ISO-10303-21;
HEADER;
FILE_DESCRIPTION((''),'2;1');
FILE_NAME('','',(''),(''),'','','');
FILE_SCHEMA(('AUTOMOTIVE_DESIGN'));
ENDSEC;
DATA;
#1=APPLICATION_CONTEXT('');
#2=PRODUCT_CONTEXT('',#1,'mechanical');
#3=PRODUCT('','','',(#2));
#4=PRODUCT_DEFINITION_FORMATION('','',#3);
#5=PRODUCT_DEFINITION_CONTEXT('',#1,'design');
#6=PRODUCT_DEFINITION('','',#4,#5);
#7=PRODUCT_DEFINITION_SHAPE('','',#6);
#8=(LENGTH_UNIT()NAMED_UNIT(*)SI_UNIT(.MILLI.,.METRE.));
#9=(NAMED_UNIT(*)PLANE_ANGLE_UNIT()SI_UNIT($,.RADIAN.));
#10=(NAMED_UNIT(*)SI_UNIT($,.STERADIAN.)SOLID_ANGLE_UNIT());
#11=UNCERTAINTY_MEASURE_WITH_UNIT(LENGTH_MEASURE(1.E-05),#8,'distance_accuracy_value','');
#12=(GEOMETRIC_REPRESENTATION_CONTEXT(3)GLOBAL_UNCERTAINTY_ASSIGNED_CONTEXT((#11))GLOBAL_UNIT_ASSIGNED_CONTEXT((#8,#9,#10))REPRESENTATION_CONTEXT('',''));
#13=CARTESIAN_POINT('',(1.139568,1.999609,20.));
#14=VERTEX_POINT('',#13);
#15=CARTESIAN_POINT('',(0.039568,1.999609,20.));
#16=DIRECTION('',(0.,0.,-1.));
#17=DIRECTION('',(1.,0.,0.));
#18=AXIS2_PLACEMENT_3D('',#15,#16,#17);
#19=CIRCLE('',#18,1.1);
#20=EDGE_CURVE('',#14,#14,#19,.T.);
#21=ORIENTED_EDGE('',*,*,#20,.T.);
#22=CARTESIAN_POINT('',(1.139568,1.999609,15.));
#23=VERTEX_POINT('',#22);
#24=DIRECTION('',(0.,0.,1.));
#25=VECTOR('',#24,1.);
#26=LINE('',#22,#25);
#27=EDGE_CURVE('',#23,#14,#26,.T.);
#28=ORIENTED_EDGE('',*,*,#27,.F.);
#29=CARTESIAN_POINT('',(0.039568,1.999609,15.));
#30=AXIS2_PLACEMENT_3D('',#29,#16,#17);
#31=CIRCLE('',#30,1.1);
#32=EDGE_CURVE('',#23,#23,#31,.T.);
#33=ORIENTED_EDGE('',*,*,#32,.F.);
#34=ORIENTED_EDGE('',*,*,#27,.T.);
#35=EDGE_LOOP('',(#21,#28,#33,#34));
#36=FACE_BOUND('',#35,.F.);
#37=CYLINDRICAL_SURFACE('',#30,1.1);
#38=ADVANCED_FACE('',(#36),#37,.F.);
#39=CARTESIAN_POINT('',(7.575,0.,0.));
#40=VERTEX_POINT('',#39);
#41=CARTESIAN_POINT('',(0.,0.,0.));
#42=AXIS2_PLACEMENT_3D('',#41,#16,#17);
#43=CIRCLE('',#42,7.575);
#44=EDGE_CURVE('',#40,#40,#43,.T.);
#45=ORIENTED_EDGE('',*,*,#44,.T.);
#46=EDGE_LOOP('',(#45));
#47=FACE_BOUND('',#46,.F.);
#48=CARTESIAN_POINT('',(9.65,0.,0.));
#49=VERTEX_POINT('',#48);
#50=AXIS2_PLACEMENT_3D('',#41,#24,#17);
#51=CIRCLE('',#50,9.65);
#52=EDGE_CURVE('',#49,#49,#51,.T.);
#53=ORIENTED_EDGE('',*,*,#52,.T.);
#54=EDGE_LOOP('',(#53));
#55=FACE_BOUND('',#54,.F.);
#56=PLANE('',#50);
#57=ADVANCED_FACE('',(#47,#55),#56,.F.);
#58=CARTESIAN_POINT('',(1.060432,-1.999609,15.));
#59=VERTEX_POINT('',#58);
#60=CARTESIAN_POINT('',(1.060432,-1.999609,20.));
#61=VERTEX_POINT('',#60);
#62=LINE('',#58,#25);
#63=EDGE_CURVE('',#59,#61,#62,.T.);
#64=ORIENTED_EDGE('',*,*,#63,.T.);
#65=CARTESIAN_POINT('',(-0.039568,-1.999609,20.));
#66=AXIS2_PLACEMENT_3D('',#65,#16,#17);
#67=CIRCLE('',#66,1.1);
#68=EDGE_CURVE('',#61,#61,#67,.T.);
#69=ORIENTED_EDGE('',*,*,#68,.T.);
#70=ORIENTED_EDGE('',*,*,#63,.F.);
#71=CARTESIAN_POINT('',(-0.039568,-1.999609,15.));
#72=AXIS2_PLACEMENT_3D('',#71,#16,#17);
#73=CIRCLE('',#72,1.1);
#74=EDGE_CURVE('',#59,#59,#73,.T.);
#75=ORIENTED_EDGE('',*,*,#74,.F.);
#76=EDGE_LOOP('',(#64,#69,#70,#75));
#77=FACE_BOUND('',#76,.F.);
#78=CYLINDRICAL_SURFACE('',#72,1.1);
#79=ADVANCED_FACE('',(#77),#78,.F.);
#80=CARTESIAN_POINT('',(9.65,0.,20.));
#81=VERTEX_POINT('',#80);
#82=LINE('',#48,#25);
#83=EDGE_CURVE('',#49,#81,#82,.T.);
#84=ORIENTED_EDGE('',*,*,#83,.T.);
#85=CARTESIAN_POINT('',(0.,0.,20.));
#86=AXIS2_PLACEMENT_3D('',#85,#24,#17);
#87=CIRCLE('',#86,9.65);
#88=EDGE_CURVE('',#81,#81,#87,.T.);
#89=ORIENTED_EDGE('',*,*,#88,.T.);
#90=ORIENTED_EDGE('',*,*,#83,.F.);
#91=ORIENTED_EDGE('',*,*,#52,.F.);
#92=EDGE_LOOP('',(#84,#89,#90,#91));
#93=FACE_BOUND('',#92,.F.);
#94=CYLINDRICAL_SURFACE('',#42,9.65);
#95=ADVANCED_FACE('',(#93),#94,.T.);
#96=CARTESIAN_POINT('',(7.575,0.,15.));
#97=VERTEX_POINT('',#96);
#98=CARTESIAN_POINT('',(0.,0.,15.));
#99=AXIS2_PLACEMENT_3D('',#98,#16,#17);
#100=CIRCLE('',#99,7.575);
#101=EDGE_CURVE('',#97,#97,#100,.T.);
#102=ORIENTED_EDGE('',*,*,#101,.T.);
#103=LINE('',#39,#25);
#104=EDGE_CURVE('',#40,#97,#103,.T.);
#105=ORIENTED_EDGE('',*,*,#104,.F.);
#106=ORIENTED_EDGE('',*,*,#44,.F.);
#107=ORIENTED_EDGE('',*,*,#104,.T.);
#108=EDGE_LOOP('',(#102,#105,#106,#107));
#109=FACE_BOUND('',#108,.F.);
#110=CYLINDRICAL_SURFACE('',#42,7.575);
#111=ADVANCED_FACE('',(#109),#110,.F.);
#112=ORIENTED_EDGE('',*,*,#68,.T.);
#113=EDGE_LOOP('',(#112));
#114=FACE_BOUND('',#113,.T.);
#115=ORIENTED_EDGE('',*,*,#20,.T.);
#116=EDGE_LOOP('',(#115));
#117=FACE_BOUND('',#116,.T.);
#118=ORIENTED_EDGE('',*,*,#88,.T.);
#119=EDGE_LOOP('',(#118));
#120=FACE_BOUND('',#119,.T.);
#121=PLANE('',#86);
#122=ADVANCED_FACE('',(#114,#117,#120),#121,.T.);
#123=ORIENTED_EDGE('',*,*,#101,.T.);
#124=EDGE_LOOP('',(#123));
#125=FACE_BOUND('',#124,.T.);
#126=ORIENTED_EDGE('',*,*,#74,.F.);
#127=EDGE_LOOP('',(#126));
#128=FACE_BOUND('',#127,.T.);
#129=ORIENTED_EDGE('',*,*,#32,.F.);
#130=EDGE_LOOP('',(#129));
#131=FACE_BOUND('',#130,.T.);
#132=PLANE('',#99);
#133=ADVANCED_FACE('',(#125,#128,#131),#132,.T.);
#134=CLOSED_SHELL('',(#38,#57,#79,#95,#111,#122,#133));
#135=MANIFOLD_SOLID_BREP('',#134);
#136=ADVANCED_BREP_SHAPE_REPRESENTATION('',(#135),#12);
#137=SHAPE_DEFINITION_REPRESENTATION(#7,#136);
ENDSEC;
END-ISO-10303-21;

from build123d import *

# Parameters (mm, degrees)
F0_R     = 9.65
F0_R_2   = 7.575
F1_DEPTH = 20
F2_R     = 7.575
F3_DEPTH = 15
F4_R     = 1.1
F5_DEPTH = 5.001


with BuildPart() as f1:
    # F0 (on Top) → F1 (new body)
    with BuildSketch(Plane.XY):
        Circle(F0_R)
        Circle(F0_R_2, mode=Mode.SUBTRACT)
        Circle(F0_R_2)
    extrude(amount=F1_DEPTH)

    # F2 (on face) → F3 (cut)
    with BuildSketch(Plane(origin=(0, 0, 0), x_dir=(1, 0, 0), z_dir=(0, 0, -1))):
        Circle(F2_R)
    extrude(amount=-F3_DEPTH, mode=Mode.SUBTRACT)

    # F4 (on face) → F5 (cut, through all)
    with BuildSketch(Plane(origin=(0, 0, 15), x_dir=(1, 0, 0), z_dir=(0, 0, -1))):
        with Locations((-0.039568, 1.999609)):
            Circle(F4_R)
        with Locations((0.039568, -1.999609)):
            Circle(F4_R)
    extrude(amount=-F5_DEPTH, mode=Mode.SUBTRACT)


solid = f1.part
